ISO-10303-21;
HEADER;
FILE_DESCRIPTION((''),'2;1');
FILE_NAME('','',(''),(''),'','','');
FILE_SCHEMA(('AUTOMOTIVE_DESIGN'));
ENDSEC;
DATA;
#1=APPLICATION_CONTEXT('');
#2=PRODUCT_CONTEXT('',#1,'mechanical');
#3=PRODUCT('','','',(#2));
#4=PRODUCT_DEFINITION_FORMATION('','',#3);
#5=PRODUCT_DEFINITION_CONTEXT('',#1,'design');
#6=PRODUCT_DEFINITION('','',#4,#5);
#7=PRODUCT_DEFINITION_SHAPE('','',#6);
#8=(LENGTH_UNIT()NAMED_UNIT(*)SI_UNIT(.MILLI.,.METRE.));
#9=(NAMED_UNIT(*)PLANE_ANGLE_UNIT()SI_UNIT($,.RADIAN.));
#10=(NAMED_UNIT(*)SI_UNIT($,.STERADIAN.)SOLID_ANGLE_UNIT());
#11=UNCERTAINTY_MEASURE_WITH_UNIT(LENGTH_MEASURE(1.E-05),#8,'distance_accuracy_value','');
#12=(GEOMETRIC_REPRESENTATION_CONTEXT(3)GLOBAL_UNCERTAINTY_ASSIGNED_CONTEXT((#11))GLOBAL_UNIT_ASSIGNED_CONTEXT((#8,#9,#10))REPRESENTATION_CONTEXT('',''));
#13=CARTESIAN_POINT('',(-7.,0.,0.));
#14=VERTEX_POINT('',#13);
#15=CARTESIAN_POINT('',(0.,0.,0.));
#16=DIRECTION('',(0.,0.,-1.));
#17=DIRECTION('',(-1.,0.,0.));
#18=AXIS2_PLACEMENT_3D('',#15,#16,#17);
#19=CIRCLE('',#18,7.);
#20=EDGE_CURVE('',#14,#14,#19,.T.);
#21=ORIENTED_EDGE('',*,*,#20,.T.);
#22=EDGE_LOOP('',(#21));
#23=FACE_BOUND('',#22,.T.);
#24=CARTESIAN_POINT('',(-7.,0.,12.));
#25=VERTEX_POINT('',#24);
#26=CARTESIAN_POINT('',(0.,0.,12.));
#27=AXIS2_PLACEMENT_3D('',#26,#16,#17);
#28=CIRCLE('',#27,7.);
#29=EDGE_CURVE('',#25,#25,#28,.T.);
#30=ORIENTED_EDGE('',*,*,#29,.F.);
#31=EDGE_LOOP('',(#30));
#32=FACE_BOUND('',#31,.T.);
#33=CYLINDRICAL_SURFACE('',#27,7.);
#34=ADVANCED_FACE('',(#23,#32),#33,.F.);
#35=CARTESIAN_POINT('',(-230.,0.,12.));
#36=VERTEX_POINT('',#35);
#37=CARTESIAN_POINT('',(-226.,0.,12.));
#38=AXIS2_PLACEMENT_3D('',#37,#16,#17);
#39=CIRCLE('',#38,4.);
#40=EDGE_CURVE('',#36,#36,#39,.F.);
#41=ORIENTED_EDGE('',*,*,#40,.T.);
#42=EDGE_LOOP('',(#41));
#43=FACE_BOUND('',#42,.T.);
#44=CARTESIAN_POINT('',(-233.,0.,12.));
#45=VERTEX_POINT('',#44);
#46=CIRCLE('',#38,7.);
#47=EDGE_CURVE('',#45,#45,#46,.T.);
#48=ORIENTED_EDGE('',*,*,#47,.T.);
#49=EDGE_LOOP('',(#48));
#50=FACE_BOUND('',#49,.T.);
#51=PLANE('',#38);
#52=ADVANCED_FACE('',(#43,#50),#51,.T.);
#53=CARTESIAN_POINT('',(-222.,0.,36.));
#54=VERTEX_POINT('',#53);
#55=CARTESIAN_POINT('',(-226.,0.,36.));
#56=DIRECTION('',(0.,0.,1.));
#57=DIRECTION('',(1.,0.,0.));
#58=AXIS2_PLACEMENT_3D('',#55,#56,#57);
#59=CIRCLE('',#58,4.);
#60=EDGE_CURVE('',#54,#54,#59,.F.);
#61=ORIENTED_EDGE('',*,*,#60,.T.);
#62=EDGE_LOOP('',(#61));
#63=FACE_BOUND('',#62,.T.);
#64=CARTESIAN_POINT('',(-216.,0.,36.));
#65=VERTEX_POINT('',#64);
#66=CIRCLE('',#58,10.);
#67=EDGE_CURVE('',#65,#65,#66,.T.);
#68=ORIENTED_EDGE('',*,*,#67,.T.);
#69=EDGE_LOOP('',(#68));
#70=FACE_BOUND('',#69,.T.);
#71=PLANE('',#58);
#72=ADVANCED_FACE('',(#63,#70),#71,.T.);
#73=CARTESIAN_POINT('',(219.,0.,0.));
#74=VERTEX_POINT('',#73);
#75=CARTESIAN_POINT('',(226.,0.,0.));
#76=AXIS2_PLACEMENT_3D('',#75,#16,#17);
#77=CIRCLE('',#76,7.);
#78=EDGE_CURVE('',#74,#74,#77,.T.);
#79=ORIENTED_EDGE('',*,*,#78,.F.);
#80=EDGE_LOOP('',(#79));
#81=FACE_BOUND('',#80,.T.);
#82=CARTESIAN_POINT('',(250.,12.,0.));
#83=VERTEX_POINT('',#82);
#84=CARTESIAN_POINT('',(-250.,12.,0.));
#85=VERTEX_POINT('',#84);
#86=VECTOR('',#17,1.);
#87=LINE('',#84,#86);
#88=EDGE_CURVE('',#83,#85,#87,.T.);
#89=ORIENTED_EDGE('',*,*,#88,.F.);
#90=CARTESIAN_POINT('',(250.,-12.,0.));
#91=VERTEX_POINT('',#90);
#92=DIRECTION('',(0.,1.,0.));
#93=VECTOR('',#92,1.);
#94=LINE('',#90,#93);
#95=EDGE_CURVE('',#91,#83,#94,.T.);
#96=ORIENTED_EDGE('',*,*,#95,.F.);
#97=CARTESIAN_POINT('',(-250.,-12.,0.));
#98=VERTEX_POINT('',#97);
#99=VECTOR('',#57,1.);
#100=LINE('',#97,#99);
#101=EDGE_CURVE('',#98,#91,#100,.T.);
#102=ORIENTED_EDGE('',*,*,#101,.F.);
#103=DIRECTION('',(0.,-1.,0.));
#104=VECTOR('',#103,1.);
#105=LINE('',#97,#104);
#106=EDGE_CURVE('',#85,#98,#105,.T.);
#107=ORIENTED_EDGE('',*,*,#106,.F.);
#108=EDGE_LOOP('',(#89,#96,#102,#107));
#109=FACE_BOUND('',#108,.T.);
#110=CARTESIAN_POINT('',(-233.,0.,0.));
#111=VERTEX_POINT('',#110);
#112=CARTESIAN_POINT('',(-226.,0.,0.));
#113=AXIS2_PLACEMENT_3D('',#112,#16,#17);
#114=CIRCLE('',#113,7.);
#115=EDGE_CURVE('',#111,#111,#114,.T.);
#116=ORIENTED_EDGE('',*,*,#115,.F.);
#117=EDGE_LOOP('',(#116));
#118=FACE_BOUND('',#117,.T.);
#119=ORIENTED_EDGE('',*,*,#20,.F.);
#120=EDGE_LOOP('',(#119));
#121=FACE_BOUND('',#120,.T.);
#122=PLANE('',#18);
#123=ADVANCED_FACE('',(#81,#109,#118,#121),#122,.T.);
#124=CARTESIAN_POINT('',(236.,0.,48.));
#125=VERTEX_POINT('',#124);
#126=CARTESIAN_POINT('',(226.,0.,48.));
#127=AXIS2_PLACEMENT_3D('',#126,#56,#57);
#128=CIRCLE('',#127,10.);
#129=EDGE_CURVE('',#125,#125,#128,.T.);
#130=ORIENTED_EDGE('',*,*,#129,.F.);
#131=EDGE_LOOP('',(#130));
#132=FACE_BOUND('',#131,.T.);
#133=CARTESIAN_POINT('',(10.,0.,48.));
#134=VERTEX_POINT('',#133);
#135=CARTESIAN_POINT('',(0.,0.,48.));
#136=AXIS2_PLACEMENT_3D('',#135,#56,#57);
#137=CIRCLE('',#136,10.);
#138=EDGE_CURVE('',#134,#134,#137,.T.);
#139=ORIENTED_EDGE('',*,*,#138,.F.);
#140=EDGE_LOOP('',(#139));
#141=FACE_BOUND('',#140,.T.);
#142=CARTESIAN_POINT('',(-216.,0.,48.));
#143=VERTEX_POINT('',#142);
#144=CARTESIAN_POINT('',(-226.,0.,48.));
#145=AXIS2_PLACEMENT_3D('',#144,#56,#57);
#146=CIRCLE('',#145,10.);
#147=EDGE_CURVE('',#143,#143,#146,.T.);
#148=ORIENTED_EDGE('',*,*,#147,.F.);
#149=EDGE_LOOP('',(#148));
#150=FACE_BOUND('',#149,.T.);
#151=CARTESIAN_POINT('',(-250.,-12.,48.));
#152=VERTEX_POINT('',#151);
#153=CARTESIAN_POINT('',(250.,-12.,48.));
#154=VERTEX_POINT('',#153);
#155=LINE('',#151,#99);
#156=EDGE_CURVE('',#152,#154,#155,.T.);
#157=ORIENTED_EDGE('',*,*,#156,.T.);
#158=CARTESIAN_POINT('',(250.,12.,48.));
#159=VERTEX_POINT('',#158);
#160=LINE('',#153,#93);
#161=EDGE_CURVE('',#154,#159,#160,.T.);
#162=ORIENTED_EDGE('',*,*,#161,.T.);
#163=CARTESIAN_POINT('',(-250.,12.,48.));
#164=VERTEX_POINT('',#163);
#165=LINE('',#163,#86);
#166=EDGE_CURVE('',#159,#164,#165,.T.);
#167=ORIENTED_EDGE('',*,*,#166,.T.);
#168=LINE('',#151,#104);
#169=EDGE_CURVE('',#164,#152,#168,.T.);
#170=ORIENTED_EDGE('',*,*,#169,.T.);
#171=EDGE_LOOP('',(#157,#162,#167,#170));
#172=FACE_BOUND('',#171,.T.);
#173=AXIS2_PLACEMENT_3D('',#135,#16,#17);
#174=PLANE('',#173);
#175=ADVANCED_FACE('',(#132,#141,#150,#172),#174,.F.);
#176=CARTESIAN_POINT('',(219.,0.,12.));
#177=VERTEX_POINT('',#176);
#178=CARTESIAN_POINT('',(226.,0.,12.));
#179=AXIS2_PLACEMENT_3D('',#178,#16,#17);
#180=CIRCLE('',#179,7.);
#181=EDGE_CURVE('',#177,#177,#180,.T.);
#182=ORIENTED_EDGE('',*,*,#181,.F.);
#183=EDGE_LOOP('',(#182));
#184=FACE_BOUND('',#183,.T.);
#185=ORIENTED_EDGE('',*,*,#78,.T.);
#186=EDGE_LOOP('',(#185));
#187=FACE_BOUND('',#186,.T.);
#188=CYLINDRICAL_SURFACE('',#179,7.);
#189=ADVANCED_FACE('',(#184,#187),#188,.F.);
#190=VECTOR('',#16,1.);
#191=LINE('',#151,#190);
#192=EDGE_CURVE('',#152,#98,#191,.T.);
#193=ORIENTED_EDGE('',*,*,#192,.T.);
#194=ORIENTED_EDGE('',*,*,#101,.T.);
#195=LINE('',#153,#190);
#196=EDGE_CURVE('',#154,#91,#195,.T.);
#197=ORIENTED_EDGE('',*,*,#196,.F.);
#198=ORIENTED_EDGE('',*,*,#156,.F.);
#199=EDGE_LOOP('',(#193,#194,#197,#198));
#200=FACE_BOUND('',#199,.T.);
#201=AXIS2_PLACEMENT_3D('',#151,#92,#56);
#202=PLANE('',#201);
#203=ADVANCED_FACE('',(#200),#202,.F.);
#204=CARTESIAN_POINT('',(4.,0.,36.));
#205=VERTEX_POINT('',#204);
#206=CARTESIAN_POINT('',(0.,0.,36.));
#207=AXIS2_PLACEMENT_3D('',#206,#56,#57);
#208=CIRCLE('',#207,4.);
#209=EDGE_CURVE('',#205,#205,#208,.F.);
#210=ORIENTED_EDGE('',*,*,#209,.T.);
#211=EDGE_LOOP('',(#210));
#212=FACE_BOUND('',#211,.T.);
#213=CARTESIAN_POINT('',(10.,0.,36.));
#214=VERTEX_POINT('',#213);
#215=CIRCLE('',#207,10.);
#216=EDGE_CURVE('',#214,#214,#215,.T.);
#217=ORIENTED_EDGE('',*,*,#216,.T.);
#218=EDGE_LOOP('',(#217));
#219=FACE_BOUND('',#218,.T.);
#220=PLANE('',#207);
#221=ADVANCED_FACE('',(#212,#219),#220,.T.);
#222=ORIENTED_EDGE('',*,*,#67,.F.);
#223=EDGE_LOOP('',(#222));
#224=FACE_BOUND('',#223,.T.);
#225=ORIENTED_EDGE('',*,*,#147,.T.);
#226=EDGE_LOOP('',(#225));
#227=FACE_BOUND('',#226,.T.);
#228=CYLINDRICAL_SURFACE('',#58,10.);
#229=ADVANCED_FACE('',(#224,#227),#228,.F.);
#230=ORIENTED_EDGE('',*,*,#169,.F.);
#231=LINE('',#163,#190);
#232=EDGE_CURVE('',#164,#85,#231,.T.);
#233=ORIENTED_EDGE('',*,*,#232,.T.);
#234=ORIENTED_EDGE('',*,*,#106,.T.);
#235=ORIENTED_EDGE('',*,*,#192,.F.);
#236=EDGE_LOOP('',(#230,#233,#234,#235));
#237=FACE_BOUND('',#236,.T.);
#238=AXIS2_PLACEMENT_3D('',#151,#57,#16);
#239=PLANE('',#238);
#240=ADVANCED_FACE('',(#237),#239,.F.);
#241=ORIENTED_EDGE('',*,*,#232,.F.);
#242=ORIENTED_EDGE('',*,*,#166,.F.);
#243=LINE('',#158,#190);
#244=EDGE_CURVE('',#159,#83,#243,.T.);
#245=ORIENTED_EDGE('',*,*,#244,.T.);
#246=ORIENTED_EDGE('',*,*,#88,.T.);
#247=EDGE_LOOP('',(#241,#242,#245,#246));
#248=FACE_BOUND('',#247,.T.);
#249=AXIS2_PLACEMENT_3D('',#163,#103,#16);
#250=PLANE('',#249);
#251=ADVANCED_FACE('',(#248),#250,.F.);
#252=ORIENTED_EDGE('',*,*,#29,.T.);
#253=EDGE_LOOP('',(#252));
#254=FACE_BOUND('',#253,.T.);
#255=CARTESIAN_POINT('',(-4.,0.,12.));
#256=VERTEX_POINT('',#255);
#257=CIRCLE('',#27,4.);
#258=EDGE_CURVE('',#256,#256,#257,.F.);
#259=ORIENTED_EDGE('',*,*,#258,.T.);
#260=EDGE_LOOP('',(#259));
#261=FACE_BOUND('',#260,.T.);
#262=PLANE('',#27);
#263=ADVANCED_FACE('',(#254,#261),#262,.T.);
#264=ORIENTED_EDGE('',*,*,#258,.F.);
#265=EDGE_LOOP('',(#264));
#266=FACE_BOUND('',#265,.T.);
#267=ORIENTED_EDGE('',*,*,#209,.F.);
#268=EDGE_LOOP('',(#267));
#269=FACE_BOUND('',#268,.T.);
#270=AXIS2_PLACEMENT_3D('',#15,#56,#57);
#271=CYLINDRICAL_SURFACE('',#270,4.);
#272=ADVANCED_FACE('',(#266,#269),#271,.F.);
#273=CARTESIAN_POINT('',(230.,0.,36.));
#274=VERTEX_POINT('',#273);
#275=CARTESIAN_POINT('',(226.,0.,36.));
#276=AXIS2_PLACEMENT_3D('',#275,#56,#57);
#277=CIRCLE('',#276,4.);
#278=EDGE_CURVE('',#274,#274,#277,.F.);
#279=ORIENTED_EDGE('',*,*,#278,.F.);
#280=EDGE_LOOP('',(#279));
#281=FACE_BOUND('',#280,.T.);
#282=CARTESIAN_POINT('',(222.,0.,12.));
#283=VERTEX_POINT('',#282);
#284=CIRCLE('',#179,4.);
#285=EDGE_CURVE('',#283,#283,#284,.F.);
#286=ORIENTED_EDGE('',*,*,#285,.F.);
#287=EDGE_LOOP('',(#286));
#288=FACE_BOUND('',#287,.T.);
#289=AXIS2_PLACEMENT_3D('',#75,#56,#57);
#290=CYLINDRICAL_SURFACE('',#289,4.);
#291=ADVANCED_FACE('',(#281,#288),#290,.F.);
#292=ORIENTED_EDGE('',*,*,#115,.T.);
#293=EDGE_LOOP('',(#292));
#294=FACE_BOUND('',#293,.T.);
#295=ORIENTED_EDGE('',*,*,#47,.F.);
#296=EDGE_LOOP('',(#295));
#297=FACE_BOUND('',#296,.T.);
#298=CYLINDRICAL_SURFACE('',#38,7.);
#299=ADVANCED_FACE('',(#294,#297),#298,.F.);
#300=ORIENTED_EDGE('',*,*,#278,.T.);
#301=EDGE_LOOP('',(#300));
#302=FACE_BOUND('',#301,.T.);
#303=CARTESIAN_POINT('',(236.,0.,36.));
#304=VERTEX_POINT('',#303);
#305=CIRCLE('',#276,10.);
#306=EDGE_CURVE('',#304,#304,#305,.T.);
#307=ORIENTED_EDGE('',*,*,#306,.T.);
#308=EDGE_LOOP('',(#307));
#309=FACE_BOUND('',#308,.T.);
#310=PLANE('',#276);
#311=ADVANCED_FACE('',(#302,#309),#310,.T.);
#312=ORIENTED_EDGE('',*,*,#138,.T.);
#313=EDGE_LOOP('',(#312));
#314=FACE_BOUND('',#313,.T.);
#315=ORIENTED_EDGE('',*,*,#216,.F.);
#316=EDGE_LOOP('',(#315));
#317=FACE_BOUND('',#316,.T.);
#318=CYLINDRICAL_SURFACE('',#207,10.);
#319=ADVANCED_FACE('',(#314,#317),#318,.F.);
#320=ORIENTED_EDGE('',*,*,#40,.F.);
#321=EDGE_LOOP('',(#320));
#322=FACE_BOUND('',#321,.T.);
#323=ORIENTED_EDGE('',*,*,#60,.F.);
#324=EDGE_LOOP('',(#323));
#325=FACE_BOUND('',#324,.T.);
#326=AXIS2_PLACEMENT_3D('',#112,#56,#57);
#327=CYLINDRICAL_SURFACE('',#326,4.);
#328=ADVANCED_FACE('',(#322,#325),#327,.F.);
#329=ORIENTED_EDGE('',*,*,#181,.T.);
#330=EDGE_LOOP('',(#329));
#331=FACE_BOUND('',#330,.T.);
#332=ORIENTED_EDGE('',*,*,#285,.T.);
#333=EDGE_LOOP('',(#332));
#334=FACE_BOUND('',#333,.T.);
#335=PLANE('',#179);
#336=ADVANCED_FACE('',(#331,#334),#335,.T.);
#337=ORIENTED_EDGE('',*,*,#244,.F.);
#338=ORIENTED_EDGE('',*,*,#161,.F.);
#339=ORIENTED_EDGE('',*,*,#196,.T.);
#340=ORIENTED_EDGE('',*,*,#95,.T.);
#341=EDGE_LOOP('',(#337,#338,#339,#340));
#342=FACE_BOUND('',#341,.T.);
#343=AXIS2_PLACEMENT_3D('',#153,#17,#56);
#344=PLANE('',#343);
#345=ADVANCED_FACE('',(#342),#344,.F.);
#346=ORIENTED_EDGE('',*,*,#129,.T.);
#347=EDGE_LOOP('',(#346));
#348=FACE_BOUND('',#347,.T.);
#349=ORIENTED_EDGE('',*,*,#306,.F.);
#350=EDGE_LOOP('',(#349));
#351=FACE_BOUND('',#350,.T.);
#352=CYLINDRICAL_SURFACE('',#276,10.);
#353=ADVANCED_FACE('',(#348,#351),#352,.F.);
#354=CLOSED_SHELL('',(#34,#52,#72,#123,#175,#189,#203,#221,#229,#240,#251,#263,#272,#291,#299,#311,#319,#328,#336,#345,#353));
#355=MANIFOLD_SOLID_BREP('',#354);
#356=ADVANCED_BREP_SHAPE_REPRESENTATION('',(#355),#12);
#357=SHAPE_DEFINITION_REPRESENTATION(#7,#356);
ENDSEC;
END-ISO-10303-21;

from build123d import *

# Parameters (mm, degrees)
ESQUISSE1_W             = 500
ESQUISSE1_H             = 24
BOSS_EXTRU_1_DEPTH      = 48
ESQUISSE2_R             = 4
ENL_V_MAT_EXTRU_1_DEPTH = 255.848974885
ESQUISSE3_R             = 10
ENL_V_MAT_EXTRU_2_DEPTH = 12
ESQUISSE4_R             = 7
ENL_V_MAT_EXTRU_3_DEPTH = 12


with BuildPart() as part:
    # Esquisse1 → Boss.-Extru.1 (new body)
    with BuildSketch(Plane.XY):
        Rectangle(ESQUISSE1_W, ESQUISSE1_H)
    extrude(amount=BOSS_EXTRU_1_DEPTH)

    # Esquisse2 → Enlèv. mat.-Extru.1 (cut, through all)
    with BuildSketch(Plane.XY.offset(48)):
        with Locations((-226, 0)):
            Circle(ESQUISSE2_R)
        Circle(ESQUISSE2_R)
        with Locations((226, 0)):
            Circle(ESQUISSE2_R)
    extrude(amount=-ENL_V_MAT_EXTRU_1_DEPTH, mode=Mode.SUBTRACT)

    # Esquisse3 → Enlèv. mat.-Extru.2 (cut)
    with BuildSketch(Plane.XY.offset(48)):
        with Locations((-226, 0)):
            Circle(ESQUISSE3_R)
        Circle(ESQUISSE3_R)
        with Locations((226, 0)):
            Circle(ESQUISSE3_R)
    extrude(amount=-ENL_V_MAT_EXTRU_2_DEPTH, mode=Mode.SUBTRACT)

    # Esquisse4 → Enlèv. mat.-Extru.3 (cut)
    with BuildSketch(Plane(origin=(0, 0, 0), x_dir=(-1, 0, 0), z_dir=(0, 0, -1))):
        with Locations((-226, 0)):
            Circle(ESQUISSE4_R)
        Circle(ESQUISSE4_R)
        with Locations((226, 0)):
            Circle(ESQUISSE4_R)
    extrude(amount=-ENL_V_MAT_EXTRU_3_DEPTH, mode=Mode.SUBTRACT)


solid = part.part
